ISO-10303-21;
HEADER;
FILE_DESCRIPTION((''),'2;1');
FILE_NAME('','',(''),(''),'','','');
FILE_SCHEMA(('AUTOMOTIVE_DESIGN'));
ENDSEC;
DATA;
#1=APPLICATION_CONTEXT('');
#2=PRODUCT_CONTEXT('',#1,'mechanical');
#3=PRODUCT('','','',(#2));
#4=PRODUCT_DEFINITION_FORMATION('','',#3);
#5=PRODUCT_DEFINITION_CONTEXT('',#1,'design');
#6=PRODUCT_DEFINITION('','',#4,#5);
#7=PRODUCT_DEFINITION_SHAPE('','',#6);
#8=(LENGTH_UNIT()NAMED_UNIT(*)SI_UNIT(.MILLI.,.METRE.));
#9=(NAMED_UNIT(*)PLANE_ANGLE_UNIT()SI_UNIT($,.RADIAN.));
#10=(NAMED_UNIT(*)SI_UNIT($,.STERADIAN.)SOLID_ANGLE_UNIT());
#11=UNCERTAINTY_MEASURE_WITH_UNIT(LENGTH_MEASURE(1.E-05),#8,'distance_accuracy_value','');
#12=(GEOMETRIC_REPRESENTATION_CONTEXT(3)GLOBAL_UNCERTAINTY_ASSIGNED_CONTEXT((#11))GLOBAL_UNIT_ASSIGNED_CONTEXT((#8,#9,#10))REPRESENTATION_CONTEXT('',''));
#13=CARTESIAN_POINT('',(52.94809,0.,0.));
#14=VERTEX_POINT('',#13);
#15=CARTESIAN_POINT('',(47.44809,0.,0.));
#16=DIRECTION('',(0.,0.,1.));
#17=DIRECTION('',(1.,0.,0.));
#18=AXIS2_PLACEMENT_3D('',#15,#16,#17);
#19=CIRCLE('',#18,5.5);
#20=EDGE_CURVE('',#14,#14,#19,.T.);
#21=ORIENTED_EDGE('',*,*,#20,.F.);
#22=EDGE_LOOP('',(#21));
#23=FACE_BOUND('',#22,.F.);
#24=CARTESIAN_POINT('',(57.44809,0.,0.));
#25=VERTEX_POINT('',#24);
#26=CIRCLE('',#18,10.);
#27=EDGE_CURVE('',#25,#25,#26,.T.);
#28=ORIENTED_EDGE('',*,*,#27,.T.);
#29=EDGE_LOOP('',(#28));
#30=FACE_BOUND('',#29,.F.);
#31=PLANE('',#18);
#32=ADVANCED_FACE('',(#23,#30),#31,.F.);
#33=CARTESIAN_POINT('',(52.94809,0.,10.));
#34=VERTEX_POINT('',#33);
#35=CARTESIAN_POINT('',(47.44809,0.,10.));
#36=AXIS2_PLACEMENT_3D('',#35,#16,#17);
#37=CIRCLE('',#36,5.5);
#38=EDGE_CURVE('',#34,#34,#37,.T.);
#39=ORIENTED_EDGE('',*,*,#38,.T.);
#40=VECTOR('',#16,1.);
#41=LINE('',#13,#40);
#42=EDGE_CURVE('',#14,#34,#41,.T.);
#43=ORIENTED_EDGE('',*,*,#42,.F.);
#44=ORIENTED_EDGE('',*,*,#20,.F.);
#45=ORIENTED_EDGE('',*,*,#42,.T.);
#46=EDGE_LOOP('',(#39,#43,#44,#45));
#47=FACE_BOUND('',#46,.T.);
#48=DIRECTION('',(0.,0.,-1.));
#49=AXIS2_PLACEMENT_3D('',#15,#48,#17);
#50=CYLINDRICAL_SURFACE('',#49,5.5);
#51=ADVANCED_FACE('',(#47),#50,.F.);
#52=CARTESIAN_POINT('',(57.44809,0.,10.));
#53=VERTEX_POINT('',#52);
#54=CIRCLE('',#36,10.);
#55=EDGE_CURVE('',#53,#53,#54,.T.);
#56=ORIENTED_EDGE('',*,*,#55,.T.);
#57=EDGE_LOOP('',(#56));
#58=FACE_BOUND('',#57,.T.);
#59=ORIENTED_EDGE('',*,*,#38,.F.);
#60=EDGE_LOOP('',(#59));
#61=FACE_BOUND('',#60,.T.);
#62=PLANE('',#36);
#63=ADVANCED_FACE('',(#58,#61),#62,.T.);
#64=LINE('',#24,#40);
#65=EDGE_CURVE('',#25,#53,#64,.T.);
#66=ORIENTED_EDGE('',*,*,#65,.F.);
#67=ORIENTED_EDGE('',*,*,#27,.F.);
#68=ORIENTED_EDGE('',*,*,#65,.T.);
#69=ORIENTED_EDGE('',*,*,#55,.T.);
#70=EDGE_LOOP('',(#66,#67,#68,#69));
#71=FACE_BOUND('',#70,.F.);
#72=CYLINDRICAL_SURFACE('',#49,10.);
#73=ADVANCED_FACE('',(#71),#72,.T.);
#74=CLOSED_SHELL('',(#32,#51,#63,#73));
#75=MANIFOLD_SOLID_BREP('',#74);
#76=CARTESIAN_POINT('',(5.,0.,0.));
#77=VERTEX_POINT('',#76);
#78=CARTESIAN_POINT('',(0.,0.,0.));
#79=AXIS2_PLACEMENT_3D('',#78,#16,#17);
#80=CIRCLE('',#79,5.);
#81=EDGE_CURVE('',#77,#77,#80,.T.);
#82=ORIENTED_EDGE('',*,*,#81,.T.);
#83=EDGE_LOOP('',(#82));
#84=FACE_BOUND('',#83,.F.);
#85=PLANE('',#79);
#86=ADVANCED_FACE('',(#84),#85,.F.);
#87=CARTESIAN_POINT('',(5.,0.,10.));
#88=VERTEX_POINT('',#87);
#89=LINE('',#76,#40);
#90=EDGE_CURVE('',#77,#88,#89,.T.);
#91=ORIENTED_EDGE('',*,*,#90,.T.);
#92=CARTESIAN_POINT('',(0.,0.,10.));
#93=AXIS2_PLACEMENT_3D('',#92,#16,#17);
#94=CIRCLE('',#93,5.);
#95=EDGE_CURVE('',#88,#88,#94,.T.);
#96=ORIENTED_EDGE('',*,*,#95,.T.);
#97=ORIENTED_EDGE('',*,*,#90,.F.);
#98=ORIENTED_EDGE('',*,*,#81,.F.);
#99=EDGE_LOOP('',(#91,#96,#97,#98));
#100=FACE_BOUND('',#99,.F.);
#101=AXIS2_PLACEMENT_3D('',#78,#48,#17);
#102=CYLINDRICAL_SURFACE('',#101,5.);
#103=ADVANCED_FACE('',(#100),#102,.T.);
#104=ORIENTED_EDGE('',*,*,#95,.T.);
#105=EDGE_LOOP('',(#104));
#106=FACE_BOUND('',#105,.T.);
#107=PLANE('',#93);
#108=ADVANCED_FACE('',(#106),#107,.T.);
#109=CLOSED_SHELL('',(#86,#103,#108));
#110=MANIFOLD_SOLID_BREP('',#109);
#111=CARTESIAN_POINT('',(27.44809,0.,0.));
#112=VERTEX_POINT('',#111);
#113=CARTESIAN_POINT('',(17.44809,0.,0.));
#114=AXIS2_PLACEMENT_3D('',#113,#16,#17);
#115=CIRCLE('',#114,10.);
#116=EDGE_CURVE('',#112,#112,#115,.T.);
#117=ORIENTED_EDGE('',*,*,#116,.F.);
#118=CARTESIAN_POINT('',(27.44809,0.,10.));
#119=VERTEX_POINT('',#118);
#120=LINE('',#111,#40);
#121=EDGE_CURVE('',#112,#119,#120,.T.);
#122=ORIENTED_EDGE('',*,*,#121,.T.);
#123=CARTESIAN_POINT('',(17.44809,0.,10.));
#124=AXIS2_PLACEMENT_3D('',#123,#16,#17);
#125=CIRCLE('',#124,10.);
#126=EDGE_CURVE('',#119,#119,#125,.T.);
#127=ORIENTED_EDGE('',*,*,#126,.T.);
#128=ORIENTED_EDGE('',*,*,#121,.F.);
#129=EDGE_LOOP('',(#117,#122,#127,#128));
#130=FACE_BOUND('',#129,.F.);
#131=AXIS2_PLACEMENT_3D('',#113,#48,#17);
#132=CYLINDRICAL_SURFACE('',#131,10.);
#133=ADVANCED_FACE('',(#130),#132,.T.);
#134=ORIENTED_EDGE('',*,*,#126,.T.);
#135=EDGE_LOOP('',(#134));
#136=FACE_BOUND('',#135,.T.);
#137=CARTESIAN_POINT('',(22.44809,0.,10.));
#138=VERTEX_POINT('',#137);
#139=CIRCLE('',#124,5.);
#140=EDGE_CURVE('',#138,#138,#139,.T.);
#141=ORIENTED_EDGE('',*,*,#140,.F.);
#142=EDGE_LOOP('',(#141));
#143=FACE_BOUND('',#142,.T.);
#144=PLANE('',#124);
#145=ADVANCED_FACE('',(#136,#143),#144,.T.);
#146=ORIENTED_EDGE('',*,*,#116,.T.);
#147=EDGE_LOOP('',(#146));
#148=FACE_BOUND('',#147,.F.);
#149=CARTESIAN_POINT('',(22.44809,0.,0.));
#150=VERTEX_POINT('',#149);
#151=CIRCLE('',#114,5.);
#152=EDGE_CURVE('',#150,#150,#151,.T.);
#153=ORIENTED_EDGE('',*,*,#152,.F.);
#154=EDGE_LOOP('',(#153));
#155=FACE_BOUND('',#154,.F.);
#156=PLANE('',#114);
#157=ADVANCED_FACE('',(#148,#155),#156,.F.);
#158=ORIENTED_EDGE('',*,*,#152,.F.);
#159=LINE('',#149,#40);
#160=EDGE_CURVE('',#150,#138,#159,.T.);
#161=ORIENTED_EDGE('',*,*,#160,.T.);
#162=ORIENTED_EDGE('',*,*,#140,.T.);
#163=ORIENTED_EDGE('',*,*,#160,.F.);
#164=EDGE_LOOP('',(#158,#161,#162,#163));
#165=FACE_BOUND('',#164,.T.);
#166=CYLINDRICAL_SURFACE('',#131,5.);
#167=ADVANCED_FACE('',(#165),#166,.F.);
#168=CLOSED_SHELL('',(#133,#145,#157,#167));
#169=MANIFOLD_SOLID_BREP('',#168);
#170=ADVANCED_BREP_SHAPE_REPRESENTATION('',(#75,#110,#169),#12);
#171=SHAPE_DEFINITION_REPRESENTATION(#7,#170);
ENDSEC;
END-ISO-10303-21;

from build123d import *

# Parameters (mm, degrees)
F1_R     = 5
F2_DEPTH = 10
F3_R     = 10
F3_R_2   = 5
F4_DEPTH = 10
F5_R     = 10
F5_R_2   = 5.5
F6_DEPTH = 10


with BuildPart() as f2:
    # F1 (on Top) → F2 (new body)
    with BuildSketch(Plane.XY):
        Circle(F1_R)
    extrude(amount=F2_DEPTH)


with BuildPart() as f4:
    # F3 (on Top) → F4 (new body)
    with BuildSketch(Plane.XY):
        with Locations((17.4480897933, 0)):
            Circle(F3_R)
        with Locations((17.4480897933, 0)):
            Circle(F3_R_2, mode=Mode.SUBTRACT)
    extrude(amount=F4_DEPTH)


with BuildPart() as f6:
    # F5 (on Top) → F6 (new body)
    with BuildSketch(Plane.XY):
        with Locations((47.4480897933, 0)):
            Circle(F5_R)
        with Locations((47.4480897933, 0)):
            Circle(F5_R_2, mode=Mode.SUBTRACT)
    extrude(amount=F6_DEPTH)


solid = Compound([f2.part, f4.part, f6.part])
